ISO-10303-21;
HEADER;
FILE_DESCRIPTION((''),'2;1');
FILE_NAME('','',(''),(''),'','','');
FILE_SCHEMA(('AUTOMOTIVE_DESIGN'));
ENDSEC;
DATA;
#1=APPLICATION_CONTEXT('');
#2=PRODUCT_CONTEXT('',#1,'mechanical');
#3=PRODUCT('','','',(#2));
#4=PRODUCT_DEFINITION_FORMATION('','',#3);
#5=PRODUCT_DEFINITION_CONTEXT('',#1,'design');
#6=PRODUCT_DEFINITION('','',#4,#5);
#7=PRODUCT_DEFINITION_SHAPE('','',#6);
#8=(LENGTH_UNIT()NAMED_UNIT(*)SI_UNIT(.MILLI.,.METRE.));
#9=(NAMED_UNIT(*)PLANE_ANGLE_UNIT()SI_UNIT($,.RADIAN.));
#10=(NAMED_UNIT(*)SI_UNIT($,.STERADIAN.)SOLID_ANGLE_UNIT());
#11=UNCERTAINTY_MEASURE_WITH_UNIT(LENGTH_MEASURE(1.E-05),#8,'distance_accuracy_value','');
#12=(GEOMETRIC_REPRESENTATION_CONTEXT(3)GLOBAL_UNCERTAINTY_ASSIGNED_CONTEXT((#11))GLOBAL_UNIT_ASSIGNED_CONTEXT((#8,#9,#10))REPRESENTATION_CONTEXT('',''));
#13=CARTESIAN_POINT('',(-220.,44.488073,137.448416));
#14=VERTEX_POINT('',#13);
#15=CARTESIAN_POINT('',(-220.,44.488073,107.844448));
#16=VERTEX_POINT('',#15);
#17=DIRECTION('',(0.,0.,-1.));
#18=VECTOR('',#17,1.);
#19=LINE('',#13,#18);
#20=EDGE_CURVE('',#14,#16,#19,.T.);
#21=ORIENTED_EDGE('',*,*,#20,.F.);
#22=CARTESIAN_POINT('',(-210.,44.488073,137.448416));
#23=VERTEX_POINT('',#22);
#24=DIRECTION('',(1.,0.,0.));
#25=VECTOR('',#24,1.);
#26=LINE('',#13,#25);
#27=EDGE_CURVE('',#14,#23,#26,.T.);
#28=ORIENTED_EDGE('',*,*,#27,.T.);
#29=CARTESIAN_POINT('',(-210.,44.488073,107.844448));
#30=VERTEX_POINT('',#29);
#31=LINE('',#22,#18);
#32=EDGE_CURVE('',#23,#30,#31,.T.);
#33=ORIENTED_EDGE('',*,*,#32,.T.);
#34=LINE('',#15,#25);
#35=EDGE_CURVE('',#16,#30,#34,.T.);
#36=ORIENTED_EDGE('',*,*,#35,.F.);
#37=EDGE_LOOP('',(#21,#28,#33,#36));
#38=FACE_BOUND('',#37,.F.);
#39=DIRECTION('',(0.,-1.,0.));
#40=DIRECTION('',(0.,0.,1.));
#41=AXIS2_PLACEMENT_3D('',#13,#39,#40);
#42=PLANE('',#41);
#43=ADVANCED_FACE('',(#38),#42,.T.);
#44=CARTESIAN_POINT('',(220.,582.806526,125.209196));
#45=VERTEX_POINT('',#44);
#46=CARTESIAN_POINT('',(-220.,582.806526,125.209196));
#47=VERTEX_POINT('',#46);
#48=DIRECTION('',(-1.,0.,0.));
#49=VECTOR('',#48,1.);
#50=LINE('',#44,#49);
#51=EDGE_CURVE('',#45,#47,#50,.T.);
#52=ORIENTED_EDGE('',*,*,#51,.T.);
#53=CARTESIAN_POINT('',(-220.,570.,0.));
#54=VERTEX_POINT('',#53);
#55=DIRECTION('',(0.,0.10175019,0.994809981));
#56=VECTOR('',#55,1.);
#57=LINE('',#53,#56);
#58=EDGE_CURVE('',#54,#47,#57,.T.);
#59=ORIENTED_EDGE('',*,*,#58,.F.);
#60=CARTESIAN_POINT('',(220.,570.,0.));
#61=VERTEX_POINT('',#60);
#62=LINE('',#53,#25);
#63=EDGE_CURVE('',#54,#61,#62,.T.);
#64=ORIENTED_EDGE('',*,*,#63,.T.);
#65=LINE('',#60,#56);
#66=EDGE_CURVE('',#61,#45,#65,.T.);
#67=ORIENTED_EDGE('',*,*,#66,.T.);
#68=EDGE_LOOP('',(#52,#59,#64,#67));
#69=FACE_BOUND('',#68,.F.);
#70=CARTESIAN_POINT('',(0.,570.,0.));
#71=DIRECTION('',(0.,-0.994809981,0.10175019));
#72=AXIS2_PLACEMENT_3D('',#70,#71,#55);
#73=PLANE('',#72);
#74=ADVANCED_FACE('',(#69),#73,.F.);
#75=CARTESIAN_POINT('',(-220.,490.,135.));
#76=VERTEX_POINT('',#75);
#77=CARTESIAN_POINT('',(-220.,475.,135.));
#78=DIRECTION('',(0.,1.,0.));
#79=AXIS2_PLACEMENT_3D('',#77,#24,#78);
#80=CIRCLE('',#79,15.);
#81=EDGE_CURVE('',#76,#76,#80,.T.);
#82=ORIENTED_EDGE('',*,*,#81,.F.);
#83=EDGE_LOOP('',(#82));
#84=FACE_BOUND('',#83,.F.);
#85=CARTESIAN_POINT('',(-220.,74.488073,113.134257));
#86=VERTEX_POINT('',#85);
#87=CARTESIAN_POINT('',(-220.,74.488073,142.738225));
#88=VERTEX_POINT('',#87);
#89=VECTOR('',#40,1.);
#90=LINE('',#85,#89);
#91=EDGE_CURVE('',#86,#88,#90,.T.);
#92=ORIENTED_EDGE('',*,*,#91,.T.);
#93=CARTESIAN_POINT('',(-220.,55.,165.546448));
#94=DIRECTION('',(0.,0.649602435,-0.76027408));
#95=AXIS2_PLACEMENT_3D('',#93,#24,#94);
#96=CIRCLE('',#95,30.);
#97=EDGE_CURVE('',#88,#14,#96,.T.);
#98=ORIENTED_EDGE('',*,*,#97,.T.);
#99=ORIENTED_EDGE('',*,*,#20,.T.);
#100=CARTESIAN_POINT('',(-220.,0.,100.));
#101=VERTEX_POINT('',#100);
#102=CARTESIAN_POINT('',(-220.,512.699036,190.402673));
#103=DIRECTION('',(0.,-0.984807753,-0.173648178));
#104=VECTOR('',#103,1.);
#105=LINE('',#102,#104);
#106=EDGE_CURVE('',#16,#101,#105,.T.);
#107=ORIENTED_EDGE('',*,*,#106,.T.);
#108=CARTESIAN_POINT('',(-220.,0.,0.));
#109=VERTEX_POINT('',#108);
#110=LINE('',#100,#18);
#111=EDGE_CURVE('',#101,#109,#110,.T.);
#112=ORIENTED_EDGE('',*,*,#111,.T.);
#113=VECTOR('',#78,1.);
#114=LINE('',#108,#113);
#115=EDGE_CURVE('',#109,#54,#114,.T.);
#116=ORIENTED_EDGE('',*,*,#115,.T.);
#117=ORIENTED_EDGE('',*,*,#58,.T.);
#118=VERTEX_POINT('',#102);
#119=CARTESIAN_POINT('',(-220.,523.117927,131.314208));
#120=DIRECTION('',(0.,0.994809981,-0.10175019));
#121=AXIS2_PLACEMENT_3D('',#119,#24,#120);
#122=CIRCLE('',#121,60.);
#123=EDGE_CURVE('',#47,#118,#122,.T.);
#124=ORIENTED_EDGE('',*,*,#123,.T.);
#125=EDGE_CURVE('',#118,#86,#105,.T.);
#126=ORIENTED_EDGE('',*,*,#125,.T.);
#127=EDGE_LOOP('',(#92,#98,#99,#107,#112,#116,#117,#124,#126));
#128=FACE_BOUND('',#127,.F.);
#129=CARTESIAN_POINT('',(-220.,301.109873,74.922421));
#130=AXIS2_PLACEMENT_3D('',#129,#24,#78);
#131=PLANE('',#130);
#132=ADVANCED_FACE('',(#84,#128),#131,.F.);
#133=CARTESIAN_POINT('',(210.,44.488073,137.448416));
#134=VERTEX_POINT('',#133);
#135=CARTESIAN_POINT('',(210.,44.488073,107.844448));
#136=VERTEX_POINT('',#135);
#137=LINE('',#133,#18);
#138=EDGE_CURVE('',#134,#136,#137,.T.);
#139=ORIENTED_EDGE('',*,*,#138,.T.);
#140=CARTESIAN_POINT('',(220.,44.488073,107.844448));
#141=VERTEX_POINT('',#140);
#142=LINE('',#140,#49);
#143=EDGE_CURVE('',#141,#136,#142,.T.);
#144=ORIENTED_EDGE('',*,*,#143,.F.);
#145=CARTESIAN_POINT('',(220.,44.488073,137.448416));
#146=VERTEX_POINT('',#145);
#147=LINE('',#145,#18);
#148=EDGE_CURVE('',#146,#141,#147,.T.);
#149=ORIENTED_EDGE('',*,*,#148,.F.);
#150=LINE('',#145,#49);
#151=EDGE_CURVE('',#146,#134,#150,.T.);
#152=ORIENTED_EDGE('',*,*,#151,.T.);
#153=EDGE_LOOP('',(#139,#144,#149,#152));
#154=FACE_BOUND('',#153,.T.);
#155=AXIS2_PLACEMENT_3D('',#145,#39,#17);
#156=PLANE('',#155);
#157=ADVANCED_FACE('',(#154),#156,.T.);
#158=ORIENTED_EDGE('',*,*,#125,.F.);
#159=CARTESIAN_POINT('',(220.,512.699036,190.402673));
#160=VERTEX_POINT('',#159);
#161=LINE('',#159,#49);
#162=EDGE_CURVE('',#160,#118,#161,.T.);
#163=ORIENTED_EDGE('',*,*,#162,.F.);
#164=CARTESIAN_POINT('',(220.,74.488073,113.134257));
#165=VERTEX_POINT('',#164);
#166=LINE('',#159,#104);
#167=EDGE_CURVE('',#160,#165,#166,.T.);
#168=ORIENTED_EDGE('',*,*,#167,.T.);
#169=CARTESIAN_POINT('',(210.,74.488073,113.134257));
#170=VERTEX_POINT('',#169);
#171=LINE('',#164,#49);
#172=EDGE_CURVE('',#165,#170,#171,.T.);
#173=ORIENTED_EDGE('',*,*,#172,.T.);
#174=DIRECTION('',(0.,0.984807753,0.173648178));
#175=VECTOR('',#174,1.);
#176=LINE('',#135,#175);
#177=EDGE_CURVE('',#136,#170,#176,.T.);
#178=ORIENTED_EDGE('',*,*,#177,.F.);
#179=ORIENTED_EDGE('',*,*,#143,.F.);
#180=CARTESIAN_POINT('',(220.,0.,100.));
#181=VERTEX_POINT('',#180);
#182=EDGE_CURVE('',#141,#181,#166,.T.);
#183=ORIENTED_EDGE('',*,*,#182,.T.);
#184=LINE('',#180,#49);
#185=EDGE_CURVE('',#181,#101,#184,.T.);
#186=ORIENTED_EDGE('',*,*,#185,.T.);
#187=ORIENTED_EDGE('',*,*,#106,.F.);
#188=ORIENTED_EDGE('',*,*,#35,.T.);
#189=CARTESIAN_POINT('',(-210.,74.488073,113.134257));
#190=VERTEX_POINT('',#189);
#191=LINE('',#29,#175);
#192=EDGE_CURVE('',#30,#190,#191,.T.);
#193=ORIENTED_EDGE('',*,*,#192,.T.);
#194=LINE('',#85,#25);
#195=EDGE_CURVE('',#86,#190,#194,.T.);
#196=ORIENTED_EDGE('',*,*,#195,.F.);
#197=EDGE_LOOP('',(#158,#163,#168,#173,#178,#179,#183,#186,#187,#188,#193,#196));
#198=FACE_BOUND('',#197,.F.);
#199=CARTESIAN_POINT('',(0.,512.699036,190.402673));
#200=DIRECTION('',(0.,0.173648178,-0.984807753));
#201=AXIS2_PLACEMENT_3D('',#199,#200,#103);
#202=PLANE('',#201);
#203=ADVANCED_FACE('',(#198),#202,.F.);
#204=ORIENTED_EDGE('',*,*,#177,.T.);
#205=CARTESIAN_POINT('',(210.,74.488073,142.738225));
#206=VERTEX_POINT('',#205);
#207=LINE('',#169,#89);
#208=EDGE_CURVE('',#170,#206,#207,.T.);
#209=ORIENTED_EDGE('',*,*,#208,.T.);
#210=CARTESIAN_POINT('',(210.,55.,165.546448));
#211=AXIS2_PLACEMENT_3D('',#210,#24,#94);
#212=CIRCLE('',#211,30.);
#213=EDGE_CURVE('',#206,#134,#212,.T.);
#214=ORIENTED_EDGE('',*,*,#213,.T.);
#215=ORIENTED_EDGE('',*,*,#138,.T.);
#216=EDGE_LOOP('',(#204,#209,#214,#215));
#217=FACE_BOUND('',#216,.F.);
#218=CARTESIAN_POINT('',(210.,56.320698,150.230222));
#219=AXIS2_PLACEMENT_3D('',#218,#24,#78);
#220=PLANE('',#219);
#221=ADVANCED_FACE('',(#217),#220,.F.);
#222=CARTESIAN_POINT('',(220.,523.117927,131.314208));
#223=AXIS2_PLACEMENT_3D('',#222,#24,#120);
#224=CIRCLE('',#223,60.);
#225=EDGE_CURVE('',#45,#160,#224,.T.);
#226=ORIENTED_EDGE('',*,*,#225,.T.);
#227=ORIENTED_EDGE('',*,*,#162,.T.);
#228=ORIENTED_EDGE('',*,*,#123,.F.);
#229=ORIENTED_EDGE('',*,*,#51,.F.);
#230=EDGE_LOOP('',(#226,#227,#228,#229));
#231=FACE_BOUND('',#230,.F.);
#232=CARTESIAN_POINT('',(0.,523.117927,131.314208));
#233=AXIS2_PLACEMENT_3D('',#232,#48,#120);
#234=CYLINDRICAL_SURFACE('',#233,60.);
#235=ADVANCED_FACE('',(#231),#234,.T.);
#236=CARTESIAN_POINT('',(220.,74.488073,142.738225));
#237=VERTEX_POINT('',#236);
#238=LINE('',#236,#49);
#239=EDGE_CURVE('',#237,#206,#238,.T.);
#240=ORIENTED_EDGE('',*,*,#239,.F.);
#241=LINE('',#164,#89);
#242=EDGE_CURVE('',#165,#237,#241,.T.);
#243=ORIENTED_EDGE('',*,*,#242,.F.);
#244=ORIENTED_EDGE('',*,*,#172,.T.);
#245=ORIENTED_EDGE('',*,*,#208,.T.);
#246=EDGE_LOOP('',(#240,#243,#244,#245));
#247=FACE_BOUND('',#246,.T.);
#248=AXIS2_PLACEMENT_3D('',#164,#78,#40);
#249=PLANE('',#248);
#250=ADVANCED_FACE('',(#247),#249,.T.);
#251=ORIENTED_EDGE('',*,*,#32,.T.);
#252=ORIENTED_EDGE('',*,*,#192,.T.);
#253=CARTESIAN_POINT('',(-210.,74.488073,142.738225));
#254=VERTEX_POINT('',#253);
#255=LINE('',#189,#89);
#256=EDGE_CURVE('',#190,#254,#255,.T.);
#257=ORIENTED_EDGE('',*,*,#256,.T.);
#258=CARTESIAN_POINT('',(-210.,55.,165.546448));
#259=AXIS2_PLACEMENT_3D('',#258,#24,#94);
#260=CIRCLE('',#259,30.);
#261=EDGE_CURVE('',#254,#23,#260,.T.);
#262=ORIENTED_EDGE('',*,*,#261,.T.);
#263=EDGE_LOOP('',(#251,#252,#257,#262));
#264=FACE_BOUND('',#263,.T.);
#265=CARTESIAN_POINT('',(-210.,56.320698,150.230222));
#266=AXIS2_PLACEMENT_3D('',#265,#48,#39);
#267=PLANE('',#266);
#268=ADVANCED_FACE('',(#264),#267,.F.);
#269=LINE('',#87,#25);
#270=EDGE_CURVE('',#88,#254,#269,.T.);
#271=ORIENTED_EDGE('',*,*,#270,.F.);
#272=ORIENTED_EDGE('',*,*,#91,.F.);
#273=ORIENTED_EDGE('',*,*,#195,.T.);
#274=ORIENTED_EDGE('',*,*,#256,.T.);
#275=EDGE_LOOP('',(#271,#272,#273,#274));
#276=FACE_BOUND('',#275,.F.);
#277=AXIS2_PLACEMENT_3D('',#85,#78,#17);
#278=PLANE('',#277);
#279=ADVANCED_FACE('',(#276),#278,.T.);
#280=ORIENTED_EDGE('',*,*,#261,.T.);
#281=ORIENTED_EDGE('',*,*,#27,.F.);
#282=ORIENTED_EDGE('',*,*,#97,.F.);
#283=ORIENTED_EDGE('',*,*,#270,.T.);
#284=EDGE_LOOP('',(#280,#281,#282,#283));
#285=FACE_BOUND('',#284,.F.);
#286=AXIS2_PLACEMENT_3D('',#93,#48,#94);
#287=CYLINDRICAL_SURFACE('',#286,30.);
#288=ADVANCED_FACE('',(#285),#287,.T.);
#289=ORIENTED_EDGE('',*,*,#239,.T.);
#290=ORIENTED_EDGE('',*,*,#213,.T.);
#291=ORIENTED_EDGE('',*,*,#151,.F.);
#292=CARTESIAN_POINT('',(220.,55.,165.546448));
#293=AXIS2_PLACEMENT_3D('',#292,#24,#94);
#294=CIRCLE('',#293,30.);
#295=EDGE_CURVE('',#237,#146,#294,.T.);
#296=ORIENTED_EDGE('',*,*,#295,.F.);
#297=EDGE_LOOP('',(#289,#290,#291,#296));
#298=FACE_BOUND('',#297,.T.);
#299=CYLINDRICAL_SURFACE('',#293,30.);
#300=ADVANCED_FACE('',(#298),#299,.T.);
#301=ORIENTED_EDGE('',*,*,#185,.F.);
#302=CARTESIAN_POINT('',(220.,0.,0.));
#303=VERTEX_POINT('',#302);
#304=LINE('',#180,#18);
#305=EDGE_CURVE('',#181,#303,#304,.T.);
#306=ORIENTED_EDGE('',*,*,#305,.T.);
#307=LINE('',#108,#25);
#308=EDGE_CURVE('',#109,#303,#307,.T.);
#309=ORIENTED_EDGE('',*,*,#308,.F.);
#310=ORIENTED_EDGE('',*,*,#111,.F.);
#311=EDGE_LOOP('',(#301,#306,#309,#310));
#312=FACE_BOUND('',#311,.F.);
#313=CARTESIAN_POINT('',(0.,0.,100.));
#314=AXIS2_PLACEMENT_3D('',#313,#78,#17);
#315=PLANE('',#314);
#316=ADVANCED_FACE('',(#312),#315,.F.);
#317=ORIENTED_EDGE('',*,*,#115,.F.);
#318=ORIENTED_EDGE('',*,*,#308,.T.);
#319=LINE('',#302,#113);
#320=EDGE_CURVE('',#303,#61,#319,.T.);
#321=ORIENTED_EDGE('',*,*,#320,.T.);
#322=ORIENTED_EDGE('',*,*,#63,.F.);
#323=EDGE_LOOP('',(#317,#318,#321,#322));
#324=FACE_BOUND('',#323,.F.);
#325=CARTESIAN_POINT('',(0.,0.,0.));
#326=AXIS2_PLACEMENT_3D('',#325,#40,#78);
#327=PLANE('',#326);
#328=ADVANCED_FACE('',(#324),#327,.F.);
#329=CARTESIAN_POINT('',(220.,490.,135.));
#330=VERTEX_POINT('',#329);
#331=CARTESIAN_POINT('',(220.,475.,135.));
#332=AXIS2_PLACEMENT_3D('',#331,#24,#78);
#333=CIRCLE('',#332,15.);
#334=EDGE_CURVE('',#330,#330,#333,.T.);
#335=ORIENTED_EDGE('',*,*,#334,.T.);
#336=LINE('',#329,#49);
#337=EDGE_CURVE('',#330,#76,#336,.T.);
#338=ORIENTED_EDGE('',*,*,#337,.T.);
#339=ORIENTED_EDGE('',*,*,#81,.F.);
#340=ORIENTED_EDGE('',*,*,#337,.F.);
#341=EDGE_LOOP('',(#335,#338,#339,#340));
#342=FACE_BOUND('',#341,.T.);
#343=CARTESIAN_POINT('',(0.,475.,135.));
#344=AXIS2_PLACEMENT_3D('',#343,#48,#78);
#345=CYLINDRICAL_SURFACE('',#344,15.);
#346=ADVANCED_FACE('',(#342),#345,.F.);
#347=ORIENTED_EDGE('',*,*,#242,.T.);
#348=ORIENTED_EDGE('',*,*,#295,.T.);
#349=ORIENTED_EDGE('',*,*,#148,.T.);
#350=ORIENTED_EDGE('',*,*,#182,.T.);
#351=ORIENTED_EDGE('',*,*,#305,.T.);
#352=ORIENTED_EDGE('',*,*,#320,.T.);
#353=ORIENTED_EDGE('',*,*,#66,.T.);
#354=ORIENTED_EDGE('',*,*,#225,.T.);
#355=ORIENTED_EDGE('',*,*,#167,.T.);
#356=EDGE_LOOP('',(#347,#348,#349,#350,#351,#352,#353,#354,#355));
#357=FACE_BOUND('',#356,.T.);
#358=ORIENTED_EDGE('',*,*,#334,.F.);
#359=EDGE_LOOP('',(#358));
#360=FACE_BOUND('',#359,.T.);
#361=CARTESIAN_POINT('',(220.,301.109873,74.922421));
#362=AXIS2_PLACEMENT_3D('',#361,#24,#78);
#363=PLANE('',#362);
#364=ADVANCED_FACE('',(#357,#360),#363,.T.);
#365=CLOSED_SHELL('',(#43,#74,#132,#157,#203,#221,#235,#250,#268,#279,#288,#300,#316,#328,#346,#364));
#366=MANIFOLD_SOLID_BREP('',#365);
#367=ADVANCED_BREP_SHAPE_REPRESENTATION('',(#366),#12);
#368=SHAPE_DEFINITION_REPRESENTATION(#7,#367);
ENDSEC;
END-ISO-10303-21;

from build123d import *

# Parameters (mm, degrees)
F0_R          = 15
F1_DEPTH      = 220
F1_DEPTH_BACK = 220
F3_DEPTH      = 10


with BuildPart() as f1:
    # F0 (on Right) → F1 (new body, two sides)
    with BuildSketch(Plane.YZ) as f1_sk:
        with BuildLine():
            Line((0, 100), (0, 0))
            Line((0, 0), (570, 0))
            Line((570, 0), (582.8065256566, 125.2091964617))
            ThreePointArc((582.8065256566, 125.2091964617), (563.9765046368, 175.2525352812), (512.6990361213, 190.4026730514))
            Line((512.6990361213, 190.4026730514), (0, 100))
        make_face()
        with Locations((475, 135)):
            Circle(F0_R, mode=Mode.SUBTRACT)
    extrude(amount=-F1_DEPTH)
    extrude(f1_sk.sketch, amount=F1_DEPTH_BACK)

    # F2 (on face) → F3 (join)
    with BuildSketch(Plane.YZ.offset(220)):
        with BuildLine():
            Line((44.4880730518, 137.4484157784), (44.4880730518, 107.8444475988))
            Line((44.4880730518, 107.8444475988), (74.4880730518, 113.13425702))
            Line((74.4880730518, 113.13425702), (74.4880730518, 142.7382251997))
            ThreePointArc((74.4880730518, 142.7382251997), (49.79055467, 195.090680183), (44.4880730518, 137.4484157784))
        make_face()
    extrude(amount=-F3_DEPTH)

    # F4: F1 across plane


with BuildPart() as f1_1:
    add(f1.part)
    add(f1.part.mirror(Plane.YZ))


solid = f1_1.part
